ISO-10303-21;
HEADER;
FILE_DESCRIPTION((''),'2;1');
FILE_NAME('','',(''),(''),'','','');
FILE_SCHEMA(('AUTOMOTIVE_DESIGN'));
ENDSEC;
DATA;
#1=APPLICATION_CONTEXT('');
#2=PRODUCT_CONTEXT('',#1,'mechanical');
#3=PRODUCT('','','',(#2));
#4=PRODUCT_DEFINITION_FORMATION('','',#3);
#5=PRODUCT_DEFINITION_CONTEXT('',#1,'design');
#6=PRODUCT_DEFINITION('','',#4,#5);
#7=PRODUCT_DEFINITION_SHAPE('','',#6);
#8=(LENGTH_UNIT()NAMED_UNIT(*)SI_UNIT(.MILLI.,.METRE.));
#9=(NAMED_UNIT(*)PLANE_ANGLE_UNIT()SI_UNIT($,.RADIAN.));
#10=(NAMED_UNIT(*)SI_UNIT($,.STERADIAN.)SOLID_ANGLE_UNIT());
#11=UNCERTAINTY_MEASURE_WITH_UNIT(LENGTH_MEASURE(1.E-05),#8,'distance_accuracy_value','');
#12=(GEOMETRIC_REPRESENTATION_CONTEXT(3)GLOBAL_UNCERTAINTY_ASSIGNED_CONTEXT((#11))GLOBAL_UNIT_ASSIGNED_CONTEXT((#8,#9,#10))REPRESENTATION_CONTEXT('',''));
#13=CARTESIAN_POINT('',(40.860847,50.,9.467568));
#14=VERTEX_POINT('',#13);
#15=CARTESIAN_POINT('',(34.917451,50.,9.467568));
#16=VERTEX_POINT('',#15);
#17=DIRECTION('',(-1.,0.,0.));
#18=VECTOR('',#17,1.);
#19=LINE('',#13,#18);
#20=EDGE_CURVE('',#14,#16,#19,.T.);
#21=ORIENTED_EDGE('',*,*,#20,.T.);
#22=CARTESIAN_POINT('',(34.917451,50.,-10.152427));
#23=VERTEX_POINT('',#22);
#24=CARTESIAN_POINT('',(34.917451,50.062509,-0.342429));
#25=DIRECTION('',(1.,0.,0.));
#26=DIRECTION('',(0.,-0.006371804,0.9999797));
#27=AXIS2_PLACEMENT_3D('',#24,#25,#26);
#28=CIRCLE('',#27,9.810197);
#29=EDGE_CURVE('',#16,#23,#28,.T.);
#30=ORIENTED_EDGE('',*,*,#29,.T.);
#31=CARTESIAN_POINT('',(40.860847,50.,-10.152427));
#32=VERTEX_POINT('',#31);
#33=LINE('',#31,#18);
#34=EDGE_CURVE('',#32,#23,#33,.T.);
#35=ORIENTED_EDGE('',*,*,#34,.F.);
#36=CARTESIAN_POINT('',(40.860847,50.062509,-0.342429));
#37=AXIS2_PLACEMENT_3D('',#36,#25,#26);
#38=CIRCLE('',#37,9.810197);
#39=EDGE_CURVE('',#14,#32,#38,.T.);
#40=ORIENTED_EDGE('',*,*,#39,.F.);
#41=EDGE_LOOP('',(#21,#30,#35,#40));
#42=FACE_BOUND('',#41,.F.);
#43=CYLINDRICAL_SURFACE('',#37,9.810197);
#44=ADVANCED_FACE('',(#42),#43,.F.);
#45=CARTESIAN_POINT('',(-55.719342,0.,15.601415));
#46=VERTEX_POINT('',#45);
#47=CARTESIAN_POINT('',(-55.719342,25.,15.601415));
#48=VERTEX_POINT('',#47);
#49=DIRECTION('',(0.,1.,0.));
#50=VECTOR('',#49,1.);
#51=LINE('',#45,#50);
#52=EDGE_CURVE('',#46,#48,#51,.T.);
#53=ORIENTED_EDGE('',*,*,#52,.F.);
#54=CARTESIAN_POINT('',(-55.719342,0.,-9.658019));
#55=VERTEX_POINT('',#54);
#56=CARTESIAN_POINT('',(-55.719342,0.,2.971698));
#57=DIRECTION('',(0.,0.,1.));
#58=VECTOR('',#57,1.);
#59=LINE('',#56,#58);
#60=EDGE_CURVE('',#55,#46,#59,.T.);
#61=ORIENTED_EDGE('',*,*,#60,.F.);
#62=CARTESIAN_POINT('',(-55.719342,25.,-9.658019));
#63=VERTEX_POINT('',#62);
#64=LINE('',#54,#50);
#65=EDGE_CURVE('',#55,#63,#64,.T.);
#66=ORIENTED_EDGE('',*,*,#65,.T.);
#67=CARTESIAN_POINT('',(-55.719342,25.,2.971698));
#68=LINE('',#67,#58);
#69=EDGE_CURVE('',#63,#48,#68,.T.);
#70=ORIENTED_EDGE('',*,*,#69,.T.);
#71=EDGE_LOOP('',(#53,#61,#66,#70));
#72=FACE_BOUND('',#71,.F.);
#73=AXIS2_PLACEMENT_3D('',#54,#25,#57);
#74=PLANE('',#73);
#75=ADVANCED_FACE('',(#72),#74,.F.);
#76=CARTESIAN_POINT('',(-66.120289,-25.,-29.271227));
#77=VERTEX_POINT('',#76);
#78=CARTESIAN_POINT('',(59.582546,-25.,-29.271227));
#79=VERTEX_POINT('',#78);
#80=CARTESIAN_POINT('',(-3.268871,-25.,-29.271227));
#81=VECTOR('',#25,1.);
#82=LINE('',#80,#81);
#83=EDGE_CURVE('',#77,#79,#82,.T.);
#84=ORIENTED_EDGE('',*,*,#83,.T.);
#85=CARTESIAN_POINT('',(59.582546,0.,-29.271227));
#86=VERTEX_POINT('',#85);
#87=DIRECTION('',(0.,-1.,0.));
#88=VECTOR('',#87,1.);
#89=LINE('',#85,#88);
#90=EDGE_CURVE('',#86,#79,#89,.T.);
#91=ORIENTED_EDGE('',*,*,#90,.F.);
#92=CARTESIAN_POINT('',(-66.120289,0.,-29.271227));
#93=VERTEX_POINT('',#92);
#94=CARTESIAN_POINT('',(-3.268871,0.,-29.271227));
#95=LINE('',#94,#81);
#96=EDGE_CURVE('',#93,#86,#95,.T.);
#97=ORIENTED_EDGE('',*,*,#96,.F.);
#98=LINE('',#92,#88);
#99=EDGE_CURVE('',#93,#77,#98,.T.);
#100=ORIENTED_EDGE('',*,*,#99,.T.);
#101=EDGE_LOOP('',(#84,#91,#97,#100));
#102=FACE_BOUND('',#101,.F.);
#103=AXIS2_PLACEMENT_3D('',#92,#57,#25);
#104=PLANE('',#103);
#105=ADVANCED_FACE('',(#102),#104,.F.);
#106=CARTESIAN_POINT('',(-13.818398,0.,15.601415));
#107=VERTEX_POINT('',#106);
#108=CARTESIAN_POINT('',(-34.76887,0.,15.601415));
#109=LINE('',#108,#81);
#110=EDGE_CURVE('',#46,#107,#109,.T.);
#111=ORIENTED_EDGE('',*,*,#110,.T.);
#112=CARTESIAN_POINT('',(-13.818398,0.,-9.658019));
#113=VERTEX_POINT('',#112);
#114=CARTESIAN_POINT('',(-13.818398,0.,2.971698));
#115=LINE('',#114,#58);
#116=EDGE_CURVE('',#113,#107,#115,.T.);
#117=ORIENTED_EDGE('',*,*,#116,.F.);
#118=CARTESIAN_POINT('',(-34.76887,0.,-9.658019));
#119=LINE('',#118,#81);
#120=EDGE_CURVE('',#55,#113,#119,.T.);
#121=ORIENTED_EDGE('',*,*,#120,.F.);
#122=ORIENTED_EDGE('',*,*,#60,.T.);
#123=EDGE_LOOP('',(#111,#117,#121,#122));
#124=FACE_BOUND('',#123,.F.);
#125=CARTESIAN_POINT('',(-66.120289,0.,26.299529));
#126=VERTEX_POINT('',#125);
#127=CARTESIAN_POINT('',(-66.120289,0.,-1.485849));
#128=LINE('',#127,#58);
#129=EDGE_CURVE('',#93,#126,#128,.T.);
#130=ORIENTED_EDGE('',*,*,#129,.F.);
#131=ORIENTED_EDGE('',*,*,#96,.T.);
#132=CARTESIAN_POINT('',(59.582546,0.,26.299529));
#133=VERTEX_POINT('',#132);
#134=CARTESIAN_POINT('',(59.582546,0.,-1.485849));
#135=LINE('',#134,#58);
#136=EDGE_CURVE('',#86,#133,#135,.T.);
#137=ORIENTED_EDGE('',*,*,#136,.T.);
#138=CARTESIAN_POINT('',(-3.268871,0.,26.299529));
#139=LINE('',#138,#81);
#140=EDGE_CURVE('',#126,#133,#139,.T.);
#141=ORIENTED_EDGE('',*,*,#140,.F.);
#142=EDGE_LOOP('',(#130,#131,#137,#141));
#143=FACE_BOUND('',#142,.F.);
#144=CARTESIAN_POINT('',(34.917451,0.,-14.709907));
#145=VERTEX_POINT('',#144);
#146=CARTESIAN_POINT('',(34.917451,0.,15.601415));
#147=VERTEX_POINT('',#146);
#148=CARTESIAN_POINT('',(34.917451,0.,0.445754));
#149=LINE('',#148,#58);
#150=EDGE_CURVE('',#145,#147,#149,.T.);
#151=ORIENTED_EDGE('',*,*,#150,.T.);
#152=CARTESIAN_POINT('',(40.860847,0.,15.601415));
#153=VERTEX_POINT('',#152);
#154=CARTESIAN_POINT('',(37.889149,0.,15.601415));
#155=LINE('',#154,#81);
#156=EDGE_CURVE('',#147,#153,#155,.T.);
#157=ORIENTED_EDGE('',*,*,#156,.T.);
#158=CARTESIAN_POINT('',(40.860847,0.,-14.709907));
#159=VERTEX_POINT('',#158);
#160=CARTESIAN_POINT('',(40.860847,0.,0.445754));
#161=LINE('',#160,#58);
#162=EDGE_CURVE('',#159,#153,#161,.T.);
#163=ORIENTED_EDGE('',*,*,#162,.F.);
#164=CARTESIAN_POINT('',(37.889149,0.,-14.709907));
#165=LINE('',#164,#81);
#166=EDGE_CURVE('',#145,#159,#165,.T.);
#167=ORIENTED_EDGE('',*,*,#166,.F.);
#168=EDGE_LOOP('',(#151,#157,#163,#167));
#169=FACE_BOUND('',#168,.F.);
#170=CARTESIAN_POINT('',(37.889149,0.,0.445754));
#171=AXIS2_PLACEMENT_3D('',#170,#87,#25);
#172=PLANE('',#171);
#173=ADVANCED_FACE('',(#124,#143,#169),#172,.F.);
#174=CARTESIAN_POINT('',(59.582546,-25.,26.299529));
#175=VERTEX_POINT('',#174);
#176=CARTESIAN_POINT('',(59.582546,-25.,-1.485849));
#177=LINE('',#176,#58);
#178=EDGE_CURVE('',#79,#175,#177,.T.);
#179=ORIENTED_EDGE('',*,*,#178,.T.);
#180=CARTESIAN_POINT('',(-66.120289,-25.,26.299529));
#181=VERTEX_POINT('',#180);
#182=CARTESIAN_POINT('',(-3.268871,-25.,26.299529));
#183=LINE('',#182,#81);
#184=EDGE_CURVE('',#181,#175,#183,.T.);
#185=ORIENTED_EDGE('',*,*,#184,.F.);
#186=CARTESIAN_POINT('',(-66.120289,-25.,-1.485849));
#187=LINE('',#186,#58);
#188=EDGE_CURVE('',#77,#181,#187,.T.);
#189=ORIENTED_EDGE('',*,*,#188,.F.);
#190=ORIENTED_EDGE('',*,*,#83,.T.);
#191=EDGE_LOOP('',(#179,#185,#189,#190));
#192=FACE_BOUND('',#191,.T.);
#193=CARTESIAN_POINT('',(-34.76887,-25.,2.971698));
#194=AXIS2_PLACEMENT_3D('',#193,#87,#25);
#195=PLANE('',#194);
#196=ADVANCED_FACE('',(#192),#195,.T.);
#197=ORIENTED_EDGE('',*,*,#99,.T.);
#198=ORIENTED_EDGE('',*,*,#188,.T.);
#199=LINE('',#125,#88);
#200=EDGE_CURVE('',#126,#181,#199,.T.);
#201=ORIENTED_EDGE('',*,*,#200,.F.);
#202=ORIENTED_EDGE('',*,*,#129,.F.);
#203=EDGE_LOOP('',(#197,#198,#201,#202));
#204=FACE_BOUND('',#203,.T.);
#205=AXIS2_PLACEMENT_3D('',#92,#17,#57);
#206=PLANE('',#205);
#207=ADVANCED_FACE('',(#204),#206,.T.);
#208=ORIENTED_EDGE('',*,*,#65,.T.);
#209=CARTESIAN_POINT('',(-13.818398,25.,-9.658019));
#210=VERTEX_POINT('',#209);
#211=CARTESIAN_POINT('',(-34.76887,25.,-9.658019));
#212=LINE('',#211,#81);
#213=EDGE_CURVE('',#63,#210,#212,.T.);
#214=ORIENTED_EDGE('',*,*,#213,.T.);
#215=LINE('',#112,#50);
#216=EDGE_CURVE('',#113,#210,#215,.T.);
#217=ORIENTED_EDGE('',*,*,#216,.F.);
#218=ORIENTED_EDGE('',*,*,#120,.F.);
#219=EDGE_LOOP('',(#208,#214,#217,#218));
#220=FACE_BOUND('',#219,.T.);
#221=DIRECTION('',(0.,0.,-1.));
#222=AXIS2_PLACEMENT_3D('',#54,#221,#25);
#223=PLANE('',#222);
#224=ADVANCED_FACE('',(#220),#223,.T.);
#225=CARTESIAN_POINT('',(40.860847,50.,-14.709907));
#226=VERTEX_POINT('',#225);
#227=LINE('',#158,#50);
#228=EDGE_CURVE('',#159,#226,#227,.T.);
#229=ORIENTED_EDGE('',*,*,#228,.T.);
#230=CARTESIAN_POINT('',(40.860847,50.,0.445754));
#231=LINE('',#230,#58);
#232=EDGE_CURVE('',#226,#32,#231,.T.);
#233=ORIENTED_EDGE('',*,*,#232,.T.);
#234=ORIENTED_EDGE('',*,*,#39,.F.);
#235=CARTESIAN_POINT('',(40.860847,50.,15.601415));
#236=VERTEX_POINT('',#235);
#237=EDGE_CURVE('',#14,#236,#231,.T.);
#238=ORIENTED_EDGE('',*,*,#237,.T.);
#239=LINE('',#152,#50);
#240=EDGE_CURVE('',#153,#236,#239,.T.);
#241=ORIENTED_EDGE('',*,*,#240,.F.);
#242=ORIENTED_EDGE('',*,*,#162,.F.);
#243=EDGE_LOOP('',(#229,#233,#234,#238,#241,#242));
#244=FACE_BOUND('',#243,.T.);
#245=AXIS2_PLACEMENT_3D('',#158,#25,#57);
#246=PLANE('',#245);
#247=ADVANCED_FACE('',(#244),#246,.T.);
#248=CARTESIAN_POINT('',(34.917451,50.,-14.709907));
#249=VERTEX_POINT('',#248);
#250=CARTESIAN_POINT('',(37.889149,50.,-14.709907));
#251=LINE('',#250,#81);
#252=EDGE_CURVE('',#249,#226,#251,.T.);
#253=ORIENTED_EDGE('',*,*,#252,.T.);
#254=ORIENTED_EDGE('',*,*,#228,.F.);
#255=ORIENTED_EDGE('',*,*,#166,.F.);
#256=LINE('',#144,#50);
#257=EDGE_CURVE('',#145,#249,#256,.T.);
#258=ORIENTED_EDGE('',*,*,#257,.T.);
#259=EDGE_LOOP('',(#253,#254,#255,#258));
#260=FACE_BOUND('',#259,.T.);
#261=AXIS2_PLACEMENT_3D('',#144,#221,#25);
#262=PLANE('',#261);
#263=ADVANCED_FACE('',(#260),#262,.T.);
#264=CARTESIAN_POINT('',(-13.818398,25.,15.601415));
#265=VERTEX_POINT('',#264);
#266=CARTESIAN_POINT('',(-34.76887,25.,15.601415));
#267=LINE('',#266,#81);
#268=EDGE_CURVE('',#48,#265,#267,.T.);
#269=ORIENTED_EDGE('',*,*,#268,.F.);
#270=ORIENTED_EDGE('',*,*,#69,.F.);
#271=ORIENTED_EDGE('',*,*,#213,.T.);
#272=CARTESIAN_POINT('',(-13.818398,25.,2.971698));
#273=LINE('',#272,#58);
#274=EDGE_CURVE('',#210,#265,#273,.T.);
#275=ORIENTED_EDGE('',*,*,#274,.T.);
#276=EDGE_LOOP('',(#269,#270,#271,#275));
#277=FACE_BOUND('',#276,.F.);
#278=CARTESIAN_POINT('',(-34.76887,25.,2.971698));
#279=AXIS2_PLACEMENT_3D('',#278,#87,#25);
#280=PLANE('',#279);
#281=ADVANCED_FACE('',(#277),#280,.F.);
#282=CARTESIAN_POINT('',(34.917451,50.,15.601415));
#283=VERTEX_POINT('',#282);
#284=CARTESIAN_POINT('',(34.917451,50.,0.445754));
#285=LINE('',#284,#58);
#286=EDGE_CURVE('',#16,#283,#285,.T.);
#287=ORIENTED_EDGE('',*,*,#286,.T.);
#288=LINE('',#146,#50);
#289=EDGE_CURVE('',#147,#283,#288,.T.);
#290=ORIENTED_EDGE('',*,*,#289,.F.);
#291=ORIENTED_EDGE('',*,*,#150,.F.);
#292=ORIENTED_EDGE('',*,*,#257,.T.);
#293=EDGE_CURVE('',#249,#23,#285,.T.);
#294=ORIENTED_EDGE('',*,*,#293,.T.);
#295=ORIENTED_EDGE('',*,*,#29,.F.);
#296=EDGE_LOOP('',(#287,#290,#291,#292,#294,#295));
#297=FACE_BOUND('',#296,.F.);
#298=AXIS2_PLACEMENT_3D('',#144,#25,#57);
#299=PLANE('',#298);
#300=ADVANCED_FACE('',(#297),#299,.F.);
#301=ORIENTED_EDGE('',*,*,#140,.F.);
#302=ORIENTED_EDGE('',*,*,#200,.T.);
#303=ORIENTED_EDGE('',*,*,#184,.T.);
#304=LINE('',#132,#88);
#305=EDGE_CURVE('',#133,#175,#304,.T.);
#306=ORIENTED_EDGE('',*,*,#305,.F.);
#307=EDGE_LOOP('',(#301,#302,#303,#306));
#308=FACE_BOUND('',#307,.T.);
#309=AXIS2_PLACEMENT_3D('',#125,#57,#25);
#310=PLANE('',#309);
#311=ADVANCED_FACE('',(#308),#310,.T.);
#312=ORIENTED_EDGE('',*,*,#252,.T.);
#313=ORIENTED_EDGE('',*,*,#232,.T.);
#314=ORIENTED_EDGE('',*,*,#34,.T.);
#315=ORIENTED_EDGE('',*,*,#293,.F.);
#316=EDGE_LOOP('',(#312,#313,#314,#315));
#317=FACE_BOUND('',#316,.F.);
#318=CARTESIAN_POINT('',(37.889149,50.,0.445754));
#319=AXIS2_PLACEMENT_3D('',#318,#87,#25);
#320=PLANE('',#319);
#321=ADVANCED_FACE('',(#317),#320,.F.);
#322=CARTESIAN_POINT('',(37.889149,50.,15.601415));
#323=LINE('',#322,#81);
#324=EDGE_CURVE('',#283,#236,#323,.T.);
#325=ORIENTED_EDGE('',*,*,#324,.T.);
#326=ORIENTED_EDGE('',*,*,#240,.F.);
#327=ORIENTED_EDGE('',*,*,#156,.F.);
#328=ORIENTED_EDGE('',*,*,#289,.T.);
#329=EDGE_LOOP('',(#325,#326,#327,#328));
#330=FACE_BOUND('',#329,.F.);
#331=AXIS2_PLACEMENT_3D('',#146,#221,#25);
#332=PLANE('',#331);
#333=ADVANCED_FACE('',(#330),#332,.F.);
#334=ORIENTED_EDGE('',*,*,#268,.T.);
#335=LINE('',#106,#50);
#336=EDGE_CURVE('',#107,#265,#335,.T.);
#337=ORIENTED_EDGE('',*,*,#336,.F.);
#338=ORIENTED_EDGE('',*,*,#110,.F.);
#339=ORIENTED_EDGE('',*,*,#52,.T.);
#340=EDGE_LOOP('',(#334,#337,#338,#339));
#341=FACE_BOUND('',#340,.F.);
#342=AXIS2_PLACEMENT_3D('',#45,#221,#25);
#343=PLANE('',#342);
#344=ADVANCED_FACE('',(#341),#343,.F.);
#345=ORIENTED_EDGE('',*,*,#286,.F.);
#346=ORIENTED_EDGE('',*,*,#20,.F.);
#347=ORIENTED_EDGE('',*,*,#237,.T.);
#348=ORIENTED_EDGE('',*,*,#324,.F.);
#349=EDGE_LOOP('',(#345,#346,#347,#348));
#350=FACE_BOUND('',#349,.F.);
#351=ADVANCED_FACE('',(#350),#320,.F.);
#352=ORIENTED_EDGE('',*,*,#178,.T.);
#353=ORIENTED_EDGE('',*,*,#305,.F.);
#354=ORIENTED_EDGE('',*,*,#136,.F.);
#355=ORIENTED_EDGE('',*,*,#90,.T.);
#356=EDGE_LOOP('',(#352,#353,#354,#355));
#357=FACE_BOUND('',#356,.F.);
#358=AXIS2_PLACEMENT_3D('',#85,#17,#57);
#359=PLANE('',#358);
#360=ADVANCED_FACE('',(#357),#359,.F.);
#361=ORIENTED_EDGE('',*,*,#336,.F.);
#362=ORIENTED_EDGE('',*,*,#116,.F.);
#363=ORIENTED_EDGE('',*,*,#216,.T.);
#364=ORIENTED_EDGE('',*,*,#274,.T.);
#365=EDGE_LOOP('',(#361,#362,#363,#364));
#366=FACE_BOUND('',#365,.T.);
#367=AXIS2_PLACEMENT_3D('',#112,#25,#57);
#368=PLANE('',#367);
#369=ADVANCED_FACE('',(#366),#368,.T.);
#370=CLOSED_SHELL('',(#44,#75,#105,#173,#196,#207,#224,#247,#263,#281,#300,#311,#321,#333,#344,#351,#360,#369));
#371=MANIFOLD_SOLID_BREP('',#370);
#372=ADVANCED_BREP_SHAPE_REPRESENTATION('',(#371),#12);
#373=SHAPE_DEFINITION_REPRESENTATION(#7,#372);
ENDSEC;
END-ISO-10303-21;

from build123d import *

# Parameters (mm, degrees)
F0_W          = 41.900944
F0_H          = 25.259434
F0_W_2        = 5.943396
F0_H_2        = 30.311321
F0_W_3        = 125.702835
F0_H_3        = 55.570757
F1_DEPTH      = 25
F2_DEPTH      = 25
F2_DEPTH_BACK = 25
F3_DEPTH      = 25
F3_DEPTH_BACK = 50
F5_DEPTH      = 106.982136


with BuildPart() as f1:
    # F0 (on Front) → F1 (new body)
    with BuildSketch(Plane.XZ):
        with Locations((-34.76887, 2.971698)):
            Rectangle(F0_W, F0_H)
        with Locations((37.889149, 0.445754)):
            Rectangle(F0_W_2, F0_H_2)
        with Locations((-3.268871, -1.485849)):
            Rectangle(F0_W_3, F0_H_3)
        with Locations((-34.76887, 2.971698)):
            Rectangle(F0_W, F0_H, mode=Mode.SUBTRACT)
        with Locations((37.889149, 0.445754)):
            Rectangle(F0_W_2, F0_H_2, mode=Mode.SUBTRACT)
    extrude(amount=F1_DEPTH)

    # F0 (on Front) → F2 (join, two sides)
    with BuildSketch(Plane.XZ) as f2_sk:
        with Locations((-34.76887, 2.971698)):
            Rectangle(F0_W, F0_H)
    extrude(amount=F2_DEPTH)
    extrude(f2_sk.sketch, amount=-F2_DEPTH_BACK)

    # F0 (on Front) → F3 (join, two sides)
    with BuildSketch(Plane.XZ) as f3_sk:
        with Locations((37.889149, 0.445754)):
            Rectangle(F0_W_2, F0_H_2)
    extrude(amount=F3_DEPTH)
    extrude(f3_sk.sketch, amount=-F3_DEPTH_BACK)

    # F4 (on face) → F5 (cut, through all)
    with BuildSketch(Plane.YZ.offset(40.860847)):
        with BuildLine():
            Line((50, -10.152427), (50, 9.467568))
            ThreePointArc((50, 9.467568), (40.252312, -0.34243), (50, -10.152427))
        make_face()
    extrude(amount=-F5_DEPTH, mode=Mode.SUBTRACT)


solid = f1.part
